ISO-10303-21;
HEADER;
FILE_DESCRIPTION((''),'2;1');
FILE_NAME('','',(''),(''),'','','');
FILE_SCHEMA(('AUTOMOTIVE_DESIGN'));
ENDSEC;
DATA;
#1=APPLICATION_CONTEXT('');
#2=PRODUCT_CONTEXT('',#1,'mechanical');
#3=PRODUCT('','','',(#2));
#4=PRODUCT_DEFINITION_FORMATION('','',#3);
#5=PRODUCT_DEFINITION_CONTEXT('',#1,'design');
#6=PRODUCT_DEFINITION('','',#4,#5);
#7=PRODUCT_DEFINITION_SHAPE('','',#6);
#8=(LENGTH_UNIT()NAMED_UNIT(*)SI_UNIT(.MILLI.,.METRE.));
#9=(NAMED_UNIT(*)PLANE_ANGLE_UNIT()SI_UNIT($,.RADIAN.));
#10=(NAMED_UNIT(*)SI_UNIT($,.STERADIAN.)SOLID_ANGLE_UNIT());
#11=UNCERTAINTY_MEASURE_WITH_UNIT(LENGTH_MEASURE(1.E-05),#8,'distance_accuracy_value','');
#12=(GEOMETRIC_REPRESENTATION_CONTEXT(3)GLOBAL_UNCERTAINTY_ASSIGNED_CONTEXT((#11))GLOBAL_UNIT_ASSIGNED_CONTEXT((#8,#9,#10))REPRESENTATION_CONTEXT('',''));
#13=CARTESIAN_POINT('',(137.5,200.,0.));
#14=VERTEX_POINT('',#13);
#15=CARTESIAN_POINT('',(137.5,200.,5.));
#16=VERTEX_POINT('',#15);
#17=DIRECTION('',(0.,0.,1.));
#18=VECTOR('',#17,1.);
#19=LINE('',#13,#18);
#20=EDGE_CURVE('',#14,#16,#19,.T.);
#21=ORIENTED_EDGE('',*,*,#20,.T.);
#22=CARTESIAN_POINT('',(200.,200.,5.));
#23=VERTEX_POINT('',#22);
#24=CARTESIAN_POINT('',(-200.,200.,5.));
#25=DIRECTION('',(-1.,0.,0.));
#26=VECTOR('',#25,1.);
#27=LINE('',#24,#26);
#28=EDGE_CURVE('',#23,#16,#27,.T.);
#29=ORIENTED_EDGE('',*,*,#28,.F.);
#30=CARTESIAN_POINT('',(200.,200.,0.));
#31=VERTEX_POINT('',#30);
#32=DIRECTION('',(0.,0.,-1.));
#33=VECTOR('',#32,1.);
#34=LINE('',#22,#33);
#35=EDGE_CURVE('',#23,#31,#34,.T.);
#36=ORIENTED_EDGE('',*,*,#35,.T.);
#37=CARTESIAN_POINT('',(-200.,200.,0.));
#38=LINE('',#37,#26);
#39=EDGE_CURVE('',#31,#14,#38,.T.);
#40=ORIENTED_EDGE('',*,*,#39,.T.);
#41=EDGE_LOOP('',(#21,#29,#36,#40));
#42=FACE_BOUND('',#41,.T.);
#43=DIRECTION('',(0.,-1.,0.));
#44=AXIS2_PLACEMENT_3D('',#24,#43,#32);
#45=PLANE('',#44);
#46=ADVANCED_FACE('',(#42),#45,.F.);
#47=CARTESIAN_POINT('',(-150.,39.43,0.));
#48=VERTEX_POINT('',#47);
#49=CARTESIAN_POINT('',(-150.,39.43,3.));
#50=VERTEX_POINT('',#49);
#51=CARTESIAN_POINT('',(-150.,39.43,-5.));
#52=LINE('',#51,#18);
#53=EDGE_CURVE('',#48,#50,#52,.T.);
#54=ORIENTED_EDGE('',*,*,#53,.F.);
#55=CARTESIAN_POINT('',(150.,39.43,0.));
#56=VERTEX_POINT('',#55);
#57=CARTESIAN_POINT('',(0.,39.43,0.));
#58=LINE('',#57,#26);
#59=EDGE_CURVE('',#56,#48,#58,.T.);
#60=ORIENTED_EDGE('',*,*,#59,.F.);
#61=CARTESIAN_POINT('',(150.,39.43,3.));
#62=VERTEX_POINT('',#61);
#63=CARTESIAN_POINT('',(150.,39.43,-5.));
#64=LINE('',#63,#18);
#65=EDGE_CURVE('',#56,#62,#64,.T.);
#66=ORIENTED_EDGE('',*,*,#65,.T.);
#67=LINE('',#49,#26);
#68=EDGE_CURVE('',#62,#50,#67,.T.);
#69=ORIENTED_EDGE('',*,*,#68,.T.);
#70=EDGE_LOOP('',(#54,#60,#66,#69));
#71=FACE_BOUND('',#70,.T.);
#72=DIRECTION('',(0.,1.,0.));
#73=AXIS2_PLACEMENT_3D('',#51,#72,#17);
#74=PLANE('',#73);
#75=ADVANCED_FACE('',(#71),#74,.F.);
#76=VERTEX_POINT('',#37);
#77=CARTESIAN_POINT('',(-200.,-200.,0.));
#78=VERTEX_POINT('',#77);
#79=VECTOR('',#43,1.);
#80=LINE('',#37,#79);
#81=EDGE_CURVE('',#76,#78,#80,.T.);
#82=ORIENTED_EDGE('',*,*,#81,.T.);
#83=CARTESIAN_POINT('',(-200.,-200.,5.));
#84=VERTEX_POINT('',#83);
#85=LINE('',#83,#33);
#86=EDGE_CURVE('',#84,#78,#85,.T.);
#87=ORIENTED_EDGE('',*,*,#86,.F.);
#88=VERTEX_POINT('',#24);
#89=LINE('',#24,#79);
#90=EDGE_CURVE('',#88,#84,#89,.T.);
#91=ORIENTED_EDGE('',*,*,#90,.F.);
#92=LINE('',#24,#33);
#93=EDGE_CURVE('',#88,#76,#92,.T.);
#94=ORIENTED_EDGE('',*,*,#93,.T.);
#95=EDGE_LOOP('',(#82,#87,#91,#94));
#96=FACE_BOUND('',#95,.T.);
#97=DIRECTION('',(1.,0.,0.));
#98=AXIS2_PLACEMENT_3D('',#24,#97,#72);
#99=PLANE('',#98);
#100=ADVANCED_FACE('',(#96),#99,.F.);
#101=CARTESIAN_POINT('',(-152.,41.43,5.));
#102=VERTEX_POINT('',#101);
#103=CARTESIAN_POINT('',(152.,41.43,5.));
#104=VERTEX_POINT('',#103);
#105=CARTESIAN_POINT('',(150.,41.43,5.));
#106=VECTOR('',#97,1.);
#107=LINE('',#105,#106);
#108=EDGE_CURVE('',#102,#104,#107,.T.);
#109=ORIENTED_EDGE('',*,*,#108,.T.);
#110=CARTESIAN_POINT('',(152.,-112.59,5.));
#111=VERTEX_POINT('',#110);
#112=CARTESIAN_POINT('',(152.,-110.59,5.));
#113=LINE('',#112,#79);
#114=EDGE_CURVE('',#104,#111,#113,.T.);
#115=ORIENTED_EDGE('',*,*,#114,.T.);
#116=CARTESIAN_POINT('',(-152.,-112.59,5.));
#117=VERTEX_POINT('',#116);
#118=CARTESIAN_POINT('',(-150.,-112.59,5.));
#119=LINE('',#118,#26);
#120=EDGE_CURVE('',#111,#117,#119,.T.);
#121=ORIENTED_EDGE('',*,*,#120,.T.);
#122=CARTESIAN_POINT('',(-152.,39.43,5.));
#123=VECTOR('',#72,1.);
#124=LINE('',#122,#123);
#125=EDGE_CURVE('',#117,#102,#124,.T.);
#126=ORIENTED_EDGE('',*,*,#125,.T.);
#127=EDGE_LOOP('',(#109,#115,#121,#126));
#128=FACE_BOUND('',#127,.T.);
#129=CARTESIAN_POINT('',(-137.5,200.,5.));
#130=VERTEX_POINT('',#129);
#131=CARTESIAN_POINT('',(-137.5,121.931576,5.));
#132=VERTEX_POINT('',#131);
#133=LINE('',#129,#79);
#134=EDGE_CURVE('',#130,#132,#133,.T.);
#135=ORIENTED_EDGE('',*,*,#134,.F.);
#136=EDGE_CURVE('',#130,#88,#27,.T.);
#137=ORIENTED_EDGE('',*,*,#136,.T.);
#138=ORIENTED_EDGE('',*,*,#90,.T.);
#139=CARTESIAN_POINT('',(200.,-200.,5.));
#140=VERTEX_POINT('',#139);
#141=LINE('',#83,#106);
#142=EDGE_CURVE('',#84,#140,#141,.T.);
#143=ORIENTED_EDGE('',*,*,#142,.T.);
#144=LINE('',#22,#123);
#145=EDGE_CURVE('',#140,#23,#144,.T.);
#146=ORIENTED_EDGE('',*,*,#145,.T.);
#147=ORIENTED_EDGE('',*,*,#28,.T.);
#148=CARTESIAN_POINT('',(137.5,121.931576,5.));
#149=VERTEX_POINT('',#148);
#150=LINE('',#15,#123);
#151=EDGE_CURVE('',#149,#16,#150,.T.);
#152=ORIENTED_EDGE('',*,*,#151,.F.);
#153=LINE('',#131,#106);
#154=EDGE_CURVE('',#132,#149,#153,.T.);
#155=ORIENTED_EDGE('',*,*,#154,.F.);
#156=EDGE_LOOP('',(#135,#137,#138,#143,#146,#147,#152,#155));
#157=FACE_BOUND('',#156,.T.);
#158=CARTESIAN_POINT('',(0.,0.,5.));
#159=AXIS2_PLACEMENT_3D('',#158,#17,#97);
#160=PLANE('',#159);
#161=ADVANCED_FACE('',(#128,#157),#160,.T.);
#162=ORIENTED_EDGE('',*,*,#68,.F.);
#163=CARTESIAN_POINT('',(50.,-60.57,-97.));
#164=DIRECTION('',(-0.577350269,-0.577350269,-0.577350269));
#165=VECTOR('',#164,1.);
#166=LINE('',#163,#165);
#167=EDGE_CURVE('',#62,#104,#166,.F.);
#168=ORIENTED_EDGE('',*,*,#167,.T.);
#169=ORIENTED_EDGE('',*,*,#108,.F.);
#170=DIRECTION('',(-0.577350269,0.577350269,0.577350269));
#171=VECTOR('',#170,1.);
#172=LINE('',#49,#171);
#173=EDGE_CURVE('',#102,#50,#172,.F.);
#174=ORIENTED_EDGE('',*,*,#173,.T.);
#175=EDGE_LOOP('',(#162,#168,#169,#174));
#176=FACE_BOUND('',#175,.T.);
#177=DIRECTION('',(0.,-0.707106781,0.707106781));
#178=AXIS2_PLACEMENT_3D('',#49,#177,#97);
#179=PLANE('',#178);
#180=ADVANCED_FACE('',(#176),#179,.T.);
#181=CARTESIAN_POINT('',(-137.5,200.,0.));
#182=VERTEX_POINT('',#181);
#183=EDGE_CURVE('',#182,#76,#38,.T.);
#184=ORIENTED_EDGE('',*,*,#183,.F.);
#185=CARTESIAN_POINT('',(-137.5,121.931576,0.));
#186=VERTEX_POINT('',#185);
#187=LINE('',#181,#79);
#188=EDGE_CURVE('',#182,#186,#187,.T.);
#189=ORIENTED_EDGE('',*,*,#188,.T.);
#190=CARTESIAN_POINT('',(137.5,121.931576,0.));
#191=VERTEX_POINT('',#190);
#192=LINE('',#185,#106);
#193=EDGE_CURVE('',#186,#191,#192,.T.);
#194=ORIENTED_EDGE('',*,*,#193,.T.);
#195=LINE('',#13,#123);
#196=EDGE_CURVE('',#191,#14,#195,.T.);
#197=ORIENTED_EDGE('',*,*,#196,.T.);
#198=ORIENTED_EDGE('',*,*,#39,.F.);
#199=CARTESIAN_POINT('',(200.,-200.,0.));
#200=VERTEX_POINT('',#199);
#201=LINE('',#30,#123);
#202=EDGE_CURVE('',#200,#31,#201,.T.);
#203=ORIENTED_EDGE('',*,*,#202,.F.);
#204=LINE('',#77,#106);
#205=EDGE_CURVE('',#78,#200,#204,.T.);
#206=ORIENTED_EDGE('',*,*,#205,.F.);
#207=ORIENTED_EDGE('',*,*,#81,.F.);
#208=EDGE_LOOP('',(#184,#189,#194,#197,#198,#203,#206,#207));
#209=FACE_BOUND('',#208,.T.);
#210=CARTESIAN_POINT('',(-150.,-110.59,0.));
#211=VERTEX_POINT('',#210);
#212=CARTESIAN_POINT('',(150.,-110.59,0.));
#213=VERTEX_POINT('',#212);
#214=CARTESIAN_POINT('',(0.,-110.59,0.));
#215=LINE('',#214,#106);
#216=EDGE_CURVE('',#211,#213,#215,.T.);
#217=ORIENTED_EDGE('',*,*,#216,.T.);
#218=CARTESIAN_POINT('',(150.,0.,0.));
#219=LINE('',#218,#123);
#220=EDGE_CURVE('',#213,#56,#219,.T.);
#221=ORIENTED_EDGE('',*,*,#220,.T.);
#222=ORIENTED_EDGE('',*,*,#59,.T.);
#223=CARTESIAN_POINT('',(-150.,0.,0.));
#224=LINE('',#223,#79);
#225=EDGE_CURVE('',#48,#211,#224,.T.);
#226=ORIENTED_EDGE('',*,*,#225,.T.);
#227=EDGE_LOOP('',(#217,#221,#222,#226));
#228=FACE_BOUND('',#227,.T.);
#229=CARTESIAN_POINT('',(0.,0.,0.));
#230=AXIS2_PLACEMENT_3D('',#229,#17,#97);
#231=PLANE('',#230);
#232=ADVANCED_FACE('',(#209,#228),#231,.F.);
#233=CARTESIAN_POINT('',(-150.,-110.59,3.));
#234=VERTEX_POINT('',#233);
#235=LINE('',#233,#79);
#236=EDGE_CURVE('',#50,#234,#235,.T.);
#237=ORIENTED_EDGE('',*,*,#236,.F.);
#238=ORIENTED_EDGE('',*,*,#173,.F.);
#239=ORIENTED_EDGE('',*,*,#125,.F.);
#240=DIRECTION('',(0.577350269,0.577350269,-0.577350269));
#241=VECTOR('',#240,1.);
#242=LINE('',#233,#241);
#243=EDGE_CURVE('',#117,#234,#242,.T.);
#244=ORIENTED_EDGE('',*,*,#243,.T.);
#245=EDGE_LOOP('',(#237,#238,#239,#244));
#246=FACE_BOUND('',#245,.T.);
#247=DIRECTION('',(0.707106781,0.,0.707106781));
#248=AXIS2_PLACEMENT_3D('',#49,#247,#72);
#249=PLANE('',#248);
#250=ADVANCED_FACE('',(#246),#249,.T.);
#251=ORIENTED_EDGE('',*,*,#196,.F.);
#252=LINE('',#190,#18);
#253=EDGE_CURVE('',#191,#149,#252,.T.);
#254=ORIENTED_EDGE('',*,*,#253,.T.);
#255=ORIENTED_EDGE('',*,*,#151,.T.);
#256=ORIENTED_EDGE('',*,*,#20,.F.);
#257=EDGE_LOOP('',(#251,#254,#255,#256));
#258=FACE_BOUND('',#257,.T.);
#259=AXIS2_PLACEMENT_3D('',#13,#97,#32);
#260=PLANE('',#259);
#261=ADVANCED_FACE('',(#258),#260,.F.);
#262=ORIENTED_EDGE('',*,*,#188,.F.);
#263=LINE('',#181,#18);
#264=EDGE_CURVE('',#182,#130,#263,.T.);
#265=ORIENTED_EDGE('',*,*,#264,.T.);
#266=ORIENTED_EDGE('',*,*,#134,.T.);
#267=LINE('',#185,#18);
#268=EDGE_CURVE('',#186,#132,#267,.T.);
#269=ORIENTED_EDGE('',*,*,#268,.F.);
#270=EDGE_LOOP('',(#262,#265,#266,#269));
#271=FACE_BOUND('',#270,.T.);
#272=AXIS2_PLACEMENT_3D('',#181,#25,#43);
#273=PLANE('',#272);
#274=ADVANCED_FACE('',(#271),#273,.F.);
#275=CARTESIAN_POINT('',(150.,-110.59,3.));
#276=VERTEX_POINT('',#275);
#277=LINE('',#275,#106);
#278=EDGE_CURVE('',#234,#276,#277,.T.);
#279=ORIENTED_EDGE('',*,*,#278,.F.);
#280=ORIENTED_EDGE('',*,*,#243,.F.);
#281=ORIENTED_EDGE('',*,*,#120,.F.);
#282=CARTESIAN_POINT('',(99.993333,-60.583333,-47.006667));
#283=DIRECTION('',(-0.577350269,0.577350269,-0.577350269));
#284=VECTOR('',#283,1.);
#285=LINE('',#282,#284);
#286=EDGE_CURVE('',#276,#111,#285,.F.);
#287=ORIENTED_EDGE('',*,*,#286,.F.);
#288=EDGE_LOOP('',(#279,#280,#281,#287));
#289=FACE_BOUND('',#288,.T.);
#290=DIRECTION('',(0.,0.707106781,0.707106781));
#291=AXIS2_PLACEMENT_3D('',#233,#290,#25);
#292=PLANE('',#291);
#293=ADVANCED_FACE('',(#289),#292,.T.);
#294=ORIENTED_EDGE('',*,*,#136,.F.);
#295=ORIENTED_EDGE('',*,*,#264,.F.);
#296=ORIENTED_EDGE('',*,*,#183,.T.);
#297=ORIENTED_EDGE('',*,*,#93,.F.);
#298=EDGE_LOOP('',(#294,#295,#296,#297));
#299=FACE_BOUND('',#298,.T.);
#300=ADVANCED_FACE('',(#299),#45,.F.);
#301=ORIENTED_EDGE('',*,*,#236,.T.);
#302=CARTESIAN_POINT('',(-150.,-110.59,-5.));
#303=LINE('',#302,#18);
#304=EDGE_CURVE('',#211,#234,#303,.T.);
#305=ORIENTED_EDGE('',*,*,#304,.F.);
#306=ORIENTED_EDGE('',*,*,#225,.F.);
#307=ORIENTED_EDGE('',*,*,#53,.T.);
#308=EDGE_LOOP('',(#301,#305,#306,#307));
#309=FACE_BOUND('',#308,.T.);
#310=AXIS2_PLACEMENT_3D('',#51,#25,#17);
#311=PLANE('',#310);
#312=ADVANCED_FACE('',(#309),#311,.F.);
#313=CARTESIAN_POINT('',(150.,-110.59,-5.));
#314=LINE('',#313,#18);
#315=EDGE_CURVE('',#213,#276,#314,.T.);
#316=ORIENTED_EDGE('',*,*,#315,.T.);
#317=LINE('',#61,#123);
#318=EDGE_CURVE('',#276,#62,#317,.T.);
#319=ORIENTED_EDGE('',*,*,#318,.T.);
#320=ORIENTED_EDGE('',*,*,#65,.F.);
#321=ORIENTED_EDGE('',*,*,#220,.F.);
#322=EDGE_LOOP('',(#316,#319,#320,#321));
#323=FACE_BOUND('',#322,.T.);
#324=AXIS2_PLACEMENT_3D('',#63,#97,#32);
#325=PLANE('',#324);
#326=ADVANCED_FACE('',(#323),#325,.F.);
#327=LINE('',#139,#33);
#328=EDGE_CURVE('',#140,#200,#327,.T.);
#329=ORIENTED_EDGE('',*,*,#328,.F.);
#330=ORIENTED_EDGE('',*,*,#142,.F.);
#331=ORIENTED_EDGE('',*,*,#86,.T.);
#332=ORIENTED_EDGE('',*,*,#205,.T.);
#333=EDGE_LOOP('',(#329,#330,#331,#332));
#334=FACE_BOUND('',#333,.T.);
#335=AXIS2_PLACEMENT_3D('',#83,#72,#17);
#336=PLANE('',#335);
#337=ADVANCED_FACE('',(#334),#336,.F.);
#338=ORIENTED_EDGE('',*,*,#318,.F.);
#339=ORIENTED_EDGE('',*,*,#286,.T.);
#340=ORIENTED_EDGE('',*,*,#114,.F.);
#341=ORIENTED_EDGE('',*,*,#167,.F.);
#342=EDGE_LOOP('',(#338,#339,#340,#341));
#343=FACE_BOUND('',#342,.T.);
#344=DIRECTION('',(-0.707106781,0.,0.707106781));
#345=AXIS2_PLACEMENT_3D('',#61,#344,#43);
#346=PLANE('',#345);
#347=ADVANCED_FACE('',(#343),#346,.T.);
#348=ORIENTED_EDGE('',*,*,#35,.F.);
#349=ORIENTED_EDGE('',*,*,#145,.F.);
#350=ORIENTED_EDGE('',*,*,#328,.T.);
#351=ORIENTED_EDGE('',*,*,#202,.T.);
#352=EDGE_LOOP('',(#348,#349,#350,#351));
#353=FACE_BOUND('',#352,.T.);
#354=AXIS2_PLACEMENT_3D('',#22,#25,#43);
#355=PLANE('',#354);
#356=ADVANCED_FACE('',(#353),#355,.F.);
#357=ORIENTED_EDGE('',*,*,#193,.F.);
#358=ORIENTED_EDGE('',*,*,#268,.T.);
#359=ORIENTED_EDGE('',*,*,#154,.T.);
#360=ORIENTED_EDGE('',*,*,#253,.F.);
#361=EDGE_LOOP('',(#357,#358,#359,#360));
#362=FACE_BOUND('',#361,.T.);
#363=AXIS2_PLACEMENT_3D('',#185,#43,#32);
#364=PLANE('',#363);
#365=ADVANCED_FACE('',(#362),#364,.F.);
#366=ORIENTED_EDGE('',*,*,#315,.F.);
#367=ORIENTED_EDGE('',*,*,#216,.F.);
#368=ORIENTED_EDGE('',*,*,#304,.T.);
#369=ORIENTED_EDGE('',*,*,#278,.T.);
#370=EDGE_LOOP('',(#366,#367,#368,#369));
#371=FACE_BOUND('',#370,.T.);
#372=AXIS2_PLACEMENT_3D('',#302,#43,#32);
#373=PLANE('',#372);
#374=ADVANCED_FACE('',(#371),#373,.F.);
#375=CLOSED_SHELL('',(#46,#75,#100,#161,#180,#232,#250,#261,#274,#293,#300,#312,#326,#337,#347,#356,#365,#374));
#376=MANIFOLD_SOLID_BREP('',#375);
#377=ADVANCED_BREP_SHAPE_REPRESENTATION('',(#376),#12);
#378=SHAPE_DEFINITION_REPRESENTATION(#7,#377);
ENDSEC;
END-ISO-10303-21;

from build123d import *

# Parameters (mm, degrees)
ESQUISSE1_W             = 400
ESQUISSE1_H             = 400
BOSS_EXTRU_1_DEPTH      = 5
ESQUISSE2_W             = 300
ESQUISSE2_H             = 150.02
ENL_V_MAT_EXTRU_1_DEPTH = 10
CHANFREIN1_SIZE         = 2
ESQUISSE3_W             = 275
ESQUISSE3_H             = 78.068424488
ENL_V_MAT_EXTRU_2_DEPTH = 283.886903196


with BuildPart() as part:
    # Esquisse1 → Boss.-Extru.1 (new body)
    with BuildSketch(Plane.XY):
        Rectangle(ESQUISSE1_W, ESQUISSE1_H)
    extrude(amount=BOSS_EXTRU_1_DEPTH)

    # Esquisse2 → Enlèv. mat.-Extru.1 (cut)
    with BuildSketch(Plane.XY.offset(5)):
        with Locations((0, -35.58)):
            Rectangle(ESQUISSE2_W, ESQUISSE2_H)
    extrude(amount=-ENL_V_MAT_EXTRU_1_DEPTH, mode=Mode.SUBTRACT)

    # Chanfrein1
    chanfrein1_edges = [part.edges().sort_by_distance(p)[0] for p in [
        (150, -35.58, 5),
        (0, 39.43, 5),
        (-150, -35.58, 5),
        (0, -110.59, 5),
    ]]
    chamfer(chanfrein1_edges, length=CHANFREIN1_SIZE)

    # Esquisse3 → Enlèv. mat.-Extru.2 (cut, through all)
    with BuildSketch(Plane.XY.offset(5)):
        with Locations((0, 160.965787756)):
            Rectangle(ESQUISSE3_W, ESQUISSE3_H)
    extrude(amount=-ENL_V_MAT_EXTRU_2_DEPTH, mode=Mode.SUBTRACT)


solid = part.part
